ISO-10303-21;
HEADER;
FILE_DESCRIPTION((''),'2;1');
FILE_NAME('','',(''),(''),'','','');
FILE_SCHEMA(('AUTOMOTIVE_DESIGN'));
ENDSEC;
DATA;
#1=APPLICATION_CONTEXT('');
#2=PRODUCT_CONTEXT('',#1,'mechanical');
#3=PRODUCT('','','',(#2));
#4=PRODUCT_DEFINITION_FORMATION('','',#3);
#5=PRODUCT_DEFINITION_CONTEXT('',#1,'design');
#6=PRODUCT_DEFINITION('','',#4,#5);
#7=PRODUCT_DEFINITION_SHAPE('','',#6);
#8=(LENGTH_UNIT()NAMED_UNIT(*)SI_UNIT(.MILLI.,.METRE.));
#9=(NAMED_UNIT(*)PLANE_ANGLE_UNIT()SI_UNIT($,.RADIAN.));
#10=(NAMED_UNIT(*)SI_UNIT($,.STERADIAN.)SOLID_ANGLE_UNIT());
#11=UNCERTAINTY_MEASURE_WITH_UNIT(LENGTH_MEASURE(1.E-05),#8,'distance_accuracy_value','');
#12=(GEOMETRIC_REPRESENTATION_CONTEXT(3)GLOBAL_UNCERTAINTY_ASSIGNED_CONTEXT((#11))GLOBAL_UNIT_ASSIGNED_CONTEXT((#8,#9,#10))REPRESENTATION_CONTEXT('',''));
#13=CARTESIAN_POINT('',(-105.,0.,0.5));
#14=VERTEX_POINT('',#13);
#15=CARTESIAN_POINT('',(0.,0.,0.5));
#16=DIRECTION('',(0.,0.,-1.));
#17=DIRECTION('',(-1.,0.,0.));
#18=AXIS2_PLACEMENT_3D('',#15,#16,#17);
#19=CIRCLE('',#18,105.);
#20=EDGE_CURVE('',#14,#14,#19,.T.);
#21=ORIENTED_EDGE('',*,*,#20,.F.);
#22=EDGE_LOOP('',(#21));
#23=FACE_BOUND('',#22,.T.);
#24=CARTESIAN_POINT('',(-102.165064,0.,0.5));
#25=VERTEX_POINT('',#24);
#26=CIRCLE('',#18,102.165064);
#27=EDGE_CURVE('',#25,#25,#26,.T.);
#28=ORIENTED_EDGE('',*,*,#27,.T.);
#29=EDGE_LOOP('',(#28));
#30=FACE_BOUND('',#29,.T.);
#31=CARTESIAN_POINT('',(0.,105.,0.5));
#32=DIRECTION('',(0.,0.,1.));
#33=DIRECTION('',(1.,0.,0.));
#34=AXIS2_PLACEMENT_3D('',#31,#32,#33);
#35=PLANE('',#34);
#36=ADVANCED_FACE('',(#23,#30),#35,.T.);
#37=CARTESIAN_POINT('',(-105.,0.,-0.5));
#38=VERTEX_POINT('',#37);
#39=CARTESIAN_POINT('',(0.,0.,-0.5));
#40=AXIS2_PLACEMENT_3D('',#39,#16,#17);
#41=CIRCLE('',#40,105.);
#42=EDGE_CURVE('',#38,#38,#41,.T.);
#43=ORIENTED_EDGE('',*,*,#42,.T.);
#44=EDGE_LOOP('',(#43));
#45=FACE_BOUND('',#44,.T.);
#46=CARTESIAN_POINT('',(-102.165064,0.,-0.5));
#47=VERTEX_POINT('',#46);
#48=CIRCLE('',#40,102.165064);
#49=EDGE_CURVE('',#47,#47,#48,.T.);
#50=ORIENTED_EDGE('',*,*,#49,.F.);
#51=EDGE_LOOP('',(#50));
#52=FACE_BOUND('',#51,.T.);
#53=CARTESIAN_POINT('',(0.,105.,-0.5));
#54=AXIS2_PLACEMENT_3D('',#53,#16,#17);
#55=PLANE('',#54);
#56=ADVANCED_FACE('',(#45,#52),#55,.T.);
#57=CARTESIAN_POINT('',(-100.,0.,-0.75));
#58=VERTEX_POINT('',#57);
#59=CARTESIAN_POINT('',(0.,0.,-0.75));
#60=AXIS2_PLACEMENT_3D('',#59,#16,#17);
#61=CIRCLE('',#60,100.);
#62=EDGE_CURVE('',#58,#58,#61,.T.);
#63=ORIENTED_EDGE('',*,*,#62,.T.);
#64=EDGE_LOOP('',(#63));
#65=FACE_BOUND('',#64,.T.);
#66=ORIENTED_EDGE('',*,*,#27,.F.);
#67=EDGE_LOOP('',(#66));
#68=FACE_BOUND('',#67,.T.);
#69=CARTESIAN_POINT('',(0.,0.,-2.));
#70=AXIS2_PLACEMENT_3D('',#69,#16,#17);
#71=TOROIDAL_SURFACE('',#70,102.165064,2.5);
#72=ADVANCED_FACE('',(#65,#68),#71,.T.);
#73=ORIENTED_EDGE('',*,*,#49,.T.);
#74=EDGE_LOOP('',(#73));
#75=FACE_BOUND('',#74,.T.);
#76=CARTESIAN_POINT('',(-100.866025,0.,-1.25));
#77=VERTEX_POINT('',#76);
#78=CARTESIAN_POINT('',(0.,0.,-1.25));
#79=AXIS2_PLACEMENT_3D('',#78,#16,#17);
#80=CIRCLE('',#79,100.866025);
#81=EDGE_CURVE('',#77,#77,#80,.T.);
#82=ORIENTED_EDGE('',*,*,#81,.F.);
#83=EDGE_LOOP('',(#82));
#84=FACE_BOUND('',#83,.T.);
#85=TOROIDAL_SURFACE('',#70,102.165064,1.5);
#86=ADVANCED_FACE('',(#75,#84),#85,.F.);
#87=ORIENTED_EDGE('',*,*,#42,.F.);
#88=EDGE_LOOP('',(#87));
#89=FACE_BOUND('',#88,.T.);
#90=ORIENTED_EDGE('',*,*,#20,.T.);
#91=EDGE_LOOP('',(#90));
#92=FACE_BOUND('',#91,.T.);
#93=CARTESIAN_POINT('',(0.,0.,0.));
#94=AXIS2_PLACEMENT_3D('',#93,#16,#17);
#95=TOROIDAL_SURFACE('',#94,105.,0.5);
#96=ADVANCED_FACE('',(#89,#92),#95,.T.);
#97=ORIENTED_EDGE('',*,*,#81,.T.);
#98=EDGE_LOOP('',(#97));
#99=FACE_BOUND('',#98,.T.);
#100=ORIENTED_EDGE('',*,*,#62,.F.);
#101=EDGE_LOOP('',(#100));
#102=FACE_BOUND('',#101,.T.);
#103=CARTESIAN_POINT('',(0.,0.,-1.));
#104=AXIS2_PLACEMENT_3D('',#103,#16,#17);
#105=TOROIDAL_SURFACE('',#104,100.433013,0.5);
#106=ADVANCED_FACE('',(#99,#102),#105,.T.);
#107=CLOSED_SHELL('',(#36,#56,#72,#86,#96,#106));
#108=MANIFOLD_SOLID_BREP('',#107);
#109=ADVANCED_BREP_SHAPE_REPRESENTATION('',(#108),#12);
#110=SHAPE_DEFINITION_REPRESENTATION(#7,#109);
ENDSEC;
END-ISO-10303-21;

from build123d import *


with BuildPart() as part:
    # Sketch1 → Revolve2 (revolve)
    with BuildSketch(Plane(origin=(0, 0, 0), x_dir=(0, 0, -1), z_dir=(1, 0, 0)), mode=Mode.PRIVATE) as revolve2_sk:
        with BuildLine():
            Line((0.5, 105), (0.5, 102.165063509))
            ThreePointArc((0.5, 102.165063509), (0.700961894, 101.415063509), (1.25, 100.866025404))
            ThreePointArc((1.25, 100.866025404), (1.433012702, 100.183012702), (0.75, 100))
            ThreePointArc((0.75, 100), (-0.165063509, 100.915063509), (-0.5, 102.165063509))
            Line((-0.5, 102.165063509), (-0.5, 105))
            ThreePointArc((-0.5, 105), (0, 105.5), (0.5, 105))
        make_face()
    revolve(revolve2_sk.sketch.rotate(Axis((0, 0, 0), (0, 0, 1)), 90), axis=Axis((0, 0, 0), (0, 0, 1)))  # turned: the seam where the file's is


solid = part.part
